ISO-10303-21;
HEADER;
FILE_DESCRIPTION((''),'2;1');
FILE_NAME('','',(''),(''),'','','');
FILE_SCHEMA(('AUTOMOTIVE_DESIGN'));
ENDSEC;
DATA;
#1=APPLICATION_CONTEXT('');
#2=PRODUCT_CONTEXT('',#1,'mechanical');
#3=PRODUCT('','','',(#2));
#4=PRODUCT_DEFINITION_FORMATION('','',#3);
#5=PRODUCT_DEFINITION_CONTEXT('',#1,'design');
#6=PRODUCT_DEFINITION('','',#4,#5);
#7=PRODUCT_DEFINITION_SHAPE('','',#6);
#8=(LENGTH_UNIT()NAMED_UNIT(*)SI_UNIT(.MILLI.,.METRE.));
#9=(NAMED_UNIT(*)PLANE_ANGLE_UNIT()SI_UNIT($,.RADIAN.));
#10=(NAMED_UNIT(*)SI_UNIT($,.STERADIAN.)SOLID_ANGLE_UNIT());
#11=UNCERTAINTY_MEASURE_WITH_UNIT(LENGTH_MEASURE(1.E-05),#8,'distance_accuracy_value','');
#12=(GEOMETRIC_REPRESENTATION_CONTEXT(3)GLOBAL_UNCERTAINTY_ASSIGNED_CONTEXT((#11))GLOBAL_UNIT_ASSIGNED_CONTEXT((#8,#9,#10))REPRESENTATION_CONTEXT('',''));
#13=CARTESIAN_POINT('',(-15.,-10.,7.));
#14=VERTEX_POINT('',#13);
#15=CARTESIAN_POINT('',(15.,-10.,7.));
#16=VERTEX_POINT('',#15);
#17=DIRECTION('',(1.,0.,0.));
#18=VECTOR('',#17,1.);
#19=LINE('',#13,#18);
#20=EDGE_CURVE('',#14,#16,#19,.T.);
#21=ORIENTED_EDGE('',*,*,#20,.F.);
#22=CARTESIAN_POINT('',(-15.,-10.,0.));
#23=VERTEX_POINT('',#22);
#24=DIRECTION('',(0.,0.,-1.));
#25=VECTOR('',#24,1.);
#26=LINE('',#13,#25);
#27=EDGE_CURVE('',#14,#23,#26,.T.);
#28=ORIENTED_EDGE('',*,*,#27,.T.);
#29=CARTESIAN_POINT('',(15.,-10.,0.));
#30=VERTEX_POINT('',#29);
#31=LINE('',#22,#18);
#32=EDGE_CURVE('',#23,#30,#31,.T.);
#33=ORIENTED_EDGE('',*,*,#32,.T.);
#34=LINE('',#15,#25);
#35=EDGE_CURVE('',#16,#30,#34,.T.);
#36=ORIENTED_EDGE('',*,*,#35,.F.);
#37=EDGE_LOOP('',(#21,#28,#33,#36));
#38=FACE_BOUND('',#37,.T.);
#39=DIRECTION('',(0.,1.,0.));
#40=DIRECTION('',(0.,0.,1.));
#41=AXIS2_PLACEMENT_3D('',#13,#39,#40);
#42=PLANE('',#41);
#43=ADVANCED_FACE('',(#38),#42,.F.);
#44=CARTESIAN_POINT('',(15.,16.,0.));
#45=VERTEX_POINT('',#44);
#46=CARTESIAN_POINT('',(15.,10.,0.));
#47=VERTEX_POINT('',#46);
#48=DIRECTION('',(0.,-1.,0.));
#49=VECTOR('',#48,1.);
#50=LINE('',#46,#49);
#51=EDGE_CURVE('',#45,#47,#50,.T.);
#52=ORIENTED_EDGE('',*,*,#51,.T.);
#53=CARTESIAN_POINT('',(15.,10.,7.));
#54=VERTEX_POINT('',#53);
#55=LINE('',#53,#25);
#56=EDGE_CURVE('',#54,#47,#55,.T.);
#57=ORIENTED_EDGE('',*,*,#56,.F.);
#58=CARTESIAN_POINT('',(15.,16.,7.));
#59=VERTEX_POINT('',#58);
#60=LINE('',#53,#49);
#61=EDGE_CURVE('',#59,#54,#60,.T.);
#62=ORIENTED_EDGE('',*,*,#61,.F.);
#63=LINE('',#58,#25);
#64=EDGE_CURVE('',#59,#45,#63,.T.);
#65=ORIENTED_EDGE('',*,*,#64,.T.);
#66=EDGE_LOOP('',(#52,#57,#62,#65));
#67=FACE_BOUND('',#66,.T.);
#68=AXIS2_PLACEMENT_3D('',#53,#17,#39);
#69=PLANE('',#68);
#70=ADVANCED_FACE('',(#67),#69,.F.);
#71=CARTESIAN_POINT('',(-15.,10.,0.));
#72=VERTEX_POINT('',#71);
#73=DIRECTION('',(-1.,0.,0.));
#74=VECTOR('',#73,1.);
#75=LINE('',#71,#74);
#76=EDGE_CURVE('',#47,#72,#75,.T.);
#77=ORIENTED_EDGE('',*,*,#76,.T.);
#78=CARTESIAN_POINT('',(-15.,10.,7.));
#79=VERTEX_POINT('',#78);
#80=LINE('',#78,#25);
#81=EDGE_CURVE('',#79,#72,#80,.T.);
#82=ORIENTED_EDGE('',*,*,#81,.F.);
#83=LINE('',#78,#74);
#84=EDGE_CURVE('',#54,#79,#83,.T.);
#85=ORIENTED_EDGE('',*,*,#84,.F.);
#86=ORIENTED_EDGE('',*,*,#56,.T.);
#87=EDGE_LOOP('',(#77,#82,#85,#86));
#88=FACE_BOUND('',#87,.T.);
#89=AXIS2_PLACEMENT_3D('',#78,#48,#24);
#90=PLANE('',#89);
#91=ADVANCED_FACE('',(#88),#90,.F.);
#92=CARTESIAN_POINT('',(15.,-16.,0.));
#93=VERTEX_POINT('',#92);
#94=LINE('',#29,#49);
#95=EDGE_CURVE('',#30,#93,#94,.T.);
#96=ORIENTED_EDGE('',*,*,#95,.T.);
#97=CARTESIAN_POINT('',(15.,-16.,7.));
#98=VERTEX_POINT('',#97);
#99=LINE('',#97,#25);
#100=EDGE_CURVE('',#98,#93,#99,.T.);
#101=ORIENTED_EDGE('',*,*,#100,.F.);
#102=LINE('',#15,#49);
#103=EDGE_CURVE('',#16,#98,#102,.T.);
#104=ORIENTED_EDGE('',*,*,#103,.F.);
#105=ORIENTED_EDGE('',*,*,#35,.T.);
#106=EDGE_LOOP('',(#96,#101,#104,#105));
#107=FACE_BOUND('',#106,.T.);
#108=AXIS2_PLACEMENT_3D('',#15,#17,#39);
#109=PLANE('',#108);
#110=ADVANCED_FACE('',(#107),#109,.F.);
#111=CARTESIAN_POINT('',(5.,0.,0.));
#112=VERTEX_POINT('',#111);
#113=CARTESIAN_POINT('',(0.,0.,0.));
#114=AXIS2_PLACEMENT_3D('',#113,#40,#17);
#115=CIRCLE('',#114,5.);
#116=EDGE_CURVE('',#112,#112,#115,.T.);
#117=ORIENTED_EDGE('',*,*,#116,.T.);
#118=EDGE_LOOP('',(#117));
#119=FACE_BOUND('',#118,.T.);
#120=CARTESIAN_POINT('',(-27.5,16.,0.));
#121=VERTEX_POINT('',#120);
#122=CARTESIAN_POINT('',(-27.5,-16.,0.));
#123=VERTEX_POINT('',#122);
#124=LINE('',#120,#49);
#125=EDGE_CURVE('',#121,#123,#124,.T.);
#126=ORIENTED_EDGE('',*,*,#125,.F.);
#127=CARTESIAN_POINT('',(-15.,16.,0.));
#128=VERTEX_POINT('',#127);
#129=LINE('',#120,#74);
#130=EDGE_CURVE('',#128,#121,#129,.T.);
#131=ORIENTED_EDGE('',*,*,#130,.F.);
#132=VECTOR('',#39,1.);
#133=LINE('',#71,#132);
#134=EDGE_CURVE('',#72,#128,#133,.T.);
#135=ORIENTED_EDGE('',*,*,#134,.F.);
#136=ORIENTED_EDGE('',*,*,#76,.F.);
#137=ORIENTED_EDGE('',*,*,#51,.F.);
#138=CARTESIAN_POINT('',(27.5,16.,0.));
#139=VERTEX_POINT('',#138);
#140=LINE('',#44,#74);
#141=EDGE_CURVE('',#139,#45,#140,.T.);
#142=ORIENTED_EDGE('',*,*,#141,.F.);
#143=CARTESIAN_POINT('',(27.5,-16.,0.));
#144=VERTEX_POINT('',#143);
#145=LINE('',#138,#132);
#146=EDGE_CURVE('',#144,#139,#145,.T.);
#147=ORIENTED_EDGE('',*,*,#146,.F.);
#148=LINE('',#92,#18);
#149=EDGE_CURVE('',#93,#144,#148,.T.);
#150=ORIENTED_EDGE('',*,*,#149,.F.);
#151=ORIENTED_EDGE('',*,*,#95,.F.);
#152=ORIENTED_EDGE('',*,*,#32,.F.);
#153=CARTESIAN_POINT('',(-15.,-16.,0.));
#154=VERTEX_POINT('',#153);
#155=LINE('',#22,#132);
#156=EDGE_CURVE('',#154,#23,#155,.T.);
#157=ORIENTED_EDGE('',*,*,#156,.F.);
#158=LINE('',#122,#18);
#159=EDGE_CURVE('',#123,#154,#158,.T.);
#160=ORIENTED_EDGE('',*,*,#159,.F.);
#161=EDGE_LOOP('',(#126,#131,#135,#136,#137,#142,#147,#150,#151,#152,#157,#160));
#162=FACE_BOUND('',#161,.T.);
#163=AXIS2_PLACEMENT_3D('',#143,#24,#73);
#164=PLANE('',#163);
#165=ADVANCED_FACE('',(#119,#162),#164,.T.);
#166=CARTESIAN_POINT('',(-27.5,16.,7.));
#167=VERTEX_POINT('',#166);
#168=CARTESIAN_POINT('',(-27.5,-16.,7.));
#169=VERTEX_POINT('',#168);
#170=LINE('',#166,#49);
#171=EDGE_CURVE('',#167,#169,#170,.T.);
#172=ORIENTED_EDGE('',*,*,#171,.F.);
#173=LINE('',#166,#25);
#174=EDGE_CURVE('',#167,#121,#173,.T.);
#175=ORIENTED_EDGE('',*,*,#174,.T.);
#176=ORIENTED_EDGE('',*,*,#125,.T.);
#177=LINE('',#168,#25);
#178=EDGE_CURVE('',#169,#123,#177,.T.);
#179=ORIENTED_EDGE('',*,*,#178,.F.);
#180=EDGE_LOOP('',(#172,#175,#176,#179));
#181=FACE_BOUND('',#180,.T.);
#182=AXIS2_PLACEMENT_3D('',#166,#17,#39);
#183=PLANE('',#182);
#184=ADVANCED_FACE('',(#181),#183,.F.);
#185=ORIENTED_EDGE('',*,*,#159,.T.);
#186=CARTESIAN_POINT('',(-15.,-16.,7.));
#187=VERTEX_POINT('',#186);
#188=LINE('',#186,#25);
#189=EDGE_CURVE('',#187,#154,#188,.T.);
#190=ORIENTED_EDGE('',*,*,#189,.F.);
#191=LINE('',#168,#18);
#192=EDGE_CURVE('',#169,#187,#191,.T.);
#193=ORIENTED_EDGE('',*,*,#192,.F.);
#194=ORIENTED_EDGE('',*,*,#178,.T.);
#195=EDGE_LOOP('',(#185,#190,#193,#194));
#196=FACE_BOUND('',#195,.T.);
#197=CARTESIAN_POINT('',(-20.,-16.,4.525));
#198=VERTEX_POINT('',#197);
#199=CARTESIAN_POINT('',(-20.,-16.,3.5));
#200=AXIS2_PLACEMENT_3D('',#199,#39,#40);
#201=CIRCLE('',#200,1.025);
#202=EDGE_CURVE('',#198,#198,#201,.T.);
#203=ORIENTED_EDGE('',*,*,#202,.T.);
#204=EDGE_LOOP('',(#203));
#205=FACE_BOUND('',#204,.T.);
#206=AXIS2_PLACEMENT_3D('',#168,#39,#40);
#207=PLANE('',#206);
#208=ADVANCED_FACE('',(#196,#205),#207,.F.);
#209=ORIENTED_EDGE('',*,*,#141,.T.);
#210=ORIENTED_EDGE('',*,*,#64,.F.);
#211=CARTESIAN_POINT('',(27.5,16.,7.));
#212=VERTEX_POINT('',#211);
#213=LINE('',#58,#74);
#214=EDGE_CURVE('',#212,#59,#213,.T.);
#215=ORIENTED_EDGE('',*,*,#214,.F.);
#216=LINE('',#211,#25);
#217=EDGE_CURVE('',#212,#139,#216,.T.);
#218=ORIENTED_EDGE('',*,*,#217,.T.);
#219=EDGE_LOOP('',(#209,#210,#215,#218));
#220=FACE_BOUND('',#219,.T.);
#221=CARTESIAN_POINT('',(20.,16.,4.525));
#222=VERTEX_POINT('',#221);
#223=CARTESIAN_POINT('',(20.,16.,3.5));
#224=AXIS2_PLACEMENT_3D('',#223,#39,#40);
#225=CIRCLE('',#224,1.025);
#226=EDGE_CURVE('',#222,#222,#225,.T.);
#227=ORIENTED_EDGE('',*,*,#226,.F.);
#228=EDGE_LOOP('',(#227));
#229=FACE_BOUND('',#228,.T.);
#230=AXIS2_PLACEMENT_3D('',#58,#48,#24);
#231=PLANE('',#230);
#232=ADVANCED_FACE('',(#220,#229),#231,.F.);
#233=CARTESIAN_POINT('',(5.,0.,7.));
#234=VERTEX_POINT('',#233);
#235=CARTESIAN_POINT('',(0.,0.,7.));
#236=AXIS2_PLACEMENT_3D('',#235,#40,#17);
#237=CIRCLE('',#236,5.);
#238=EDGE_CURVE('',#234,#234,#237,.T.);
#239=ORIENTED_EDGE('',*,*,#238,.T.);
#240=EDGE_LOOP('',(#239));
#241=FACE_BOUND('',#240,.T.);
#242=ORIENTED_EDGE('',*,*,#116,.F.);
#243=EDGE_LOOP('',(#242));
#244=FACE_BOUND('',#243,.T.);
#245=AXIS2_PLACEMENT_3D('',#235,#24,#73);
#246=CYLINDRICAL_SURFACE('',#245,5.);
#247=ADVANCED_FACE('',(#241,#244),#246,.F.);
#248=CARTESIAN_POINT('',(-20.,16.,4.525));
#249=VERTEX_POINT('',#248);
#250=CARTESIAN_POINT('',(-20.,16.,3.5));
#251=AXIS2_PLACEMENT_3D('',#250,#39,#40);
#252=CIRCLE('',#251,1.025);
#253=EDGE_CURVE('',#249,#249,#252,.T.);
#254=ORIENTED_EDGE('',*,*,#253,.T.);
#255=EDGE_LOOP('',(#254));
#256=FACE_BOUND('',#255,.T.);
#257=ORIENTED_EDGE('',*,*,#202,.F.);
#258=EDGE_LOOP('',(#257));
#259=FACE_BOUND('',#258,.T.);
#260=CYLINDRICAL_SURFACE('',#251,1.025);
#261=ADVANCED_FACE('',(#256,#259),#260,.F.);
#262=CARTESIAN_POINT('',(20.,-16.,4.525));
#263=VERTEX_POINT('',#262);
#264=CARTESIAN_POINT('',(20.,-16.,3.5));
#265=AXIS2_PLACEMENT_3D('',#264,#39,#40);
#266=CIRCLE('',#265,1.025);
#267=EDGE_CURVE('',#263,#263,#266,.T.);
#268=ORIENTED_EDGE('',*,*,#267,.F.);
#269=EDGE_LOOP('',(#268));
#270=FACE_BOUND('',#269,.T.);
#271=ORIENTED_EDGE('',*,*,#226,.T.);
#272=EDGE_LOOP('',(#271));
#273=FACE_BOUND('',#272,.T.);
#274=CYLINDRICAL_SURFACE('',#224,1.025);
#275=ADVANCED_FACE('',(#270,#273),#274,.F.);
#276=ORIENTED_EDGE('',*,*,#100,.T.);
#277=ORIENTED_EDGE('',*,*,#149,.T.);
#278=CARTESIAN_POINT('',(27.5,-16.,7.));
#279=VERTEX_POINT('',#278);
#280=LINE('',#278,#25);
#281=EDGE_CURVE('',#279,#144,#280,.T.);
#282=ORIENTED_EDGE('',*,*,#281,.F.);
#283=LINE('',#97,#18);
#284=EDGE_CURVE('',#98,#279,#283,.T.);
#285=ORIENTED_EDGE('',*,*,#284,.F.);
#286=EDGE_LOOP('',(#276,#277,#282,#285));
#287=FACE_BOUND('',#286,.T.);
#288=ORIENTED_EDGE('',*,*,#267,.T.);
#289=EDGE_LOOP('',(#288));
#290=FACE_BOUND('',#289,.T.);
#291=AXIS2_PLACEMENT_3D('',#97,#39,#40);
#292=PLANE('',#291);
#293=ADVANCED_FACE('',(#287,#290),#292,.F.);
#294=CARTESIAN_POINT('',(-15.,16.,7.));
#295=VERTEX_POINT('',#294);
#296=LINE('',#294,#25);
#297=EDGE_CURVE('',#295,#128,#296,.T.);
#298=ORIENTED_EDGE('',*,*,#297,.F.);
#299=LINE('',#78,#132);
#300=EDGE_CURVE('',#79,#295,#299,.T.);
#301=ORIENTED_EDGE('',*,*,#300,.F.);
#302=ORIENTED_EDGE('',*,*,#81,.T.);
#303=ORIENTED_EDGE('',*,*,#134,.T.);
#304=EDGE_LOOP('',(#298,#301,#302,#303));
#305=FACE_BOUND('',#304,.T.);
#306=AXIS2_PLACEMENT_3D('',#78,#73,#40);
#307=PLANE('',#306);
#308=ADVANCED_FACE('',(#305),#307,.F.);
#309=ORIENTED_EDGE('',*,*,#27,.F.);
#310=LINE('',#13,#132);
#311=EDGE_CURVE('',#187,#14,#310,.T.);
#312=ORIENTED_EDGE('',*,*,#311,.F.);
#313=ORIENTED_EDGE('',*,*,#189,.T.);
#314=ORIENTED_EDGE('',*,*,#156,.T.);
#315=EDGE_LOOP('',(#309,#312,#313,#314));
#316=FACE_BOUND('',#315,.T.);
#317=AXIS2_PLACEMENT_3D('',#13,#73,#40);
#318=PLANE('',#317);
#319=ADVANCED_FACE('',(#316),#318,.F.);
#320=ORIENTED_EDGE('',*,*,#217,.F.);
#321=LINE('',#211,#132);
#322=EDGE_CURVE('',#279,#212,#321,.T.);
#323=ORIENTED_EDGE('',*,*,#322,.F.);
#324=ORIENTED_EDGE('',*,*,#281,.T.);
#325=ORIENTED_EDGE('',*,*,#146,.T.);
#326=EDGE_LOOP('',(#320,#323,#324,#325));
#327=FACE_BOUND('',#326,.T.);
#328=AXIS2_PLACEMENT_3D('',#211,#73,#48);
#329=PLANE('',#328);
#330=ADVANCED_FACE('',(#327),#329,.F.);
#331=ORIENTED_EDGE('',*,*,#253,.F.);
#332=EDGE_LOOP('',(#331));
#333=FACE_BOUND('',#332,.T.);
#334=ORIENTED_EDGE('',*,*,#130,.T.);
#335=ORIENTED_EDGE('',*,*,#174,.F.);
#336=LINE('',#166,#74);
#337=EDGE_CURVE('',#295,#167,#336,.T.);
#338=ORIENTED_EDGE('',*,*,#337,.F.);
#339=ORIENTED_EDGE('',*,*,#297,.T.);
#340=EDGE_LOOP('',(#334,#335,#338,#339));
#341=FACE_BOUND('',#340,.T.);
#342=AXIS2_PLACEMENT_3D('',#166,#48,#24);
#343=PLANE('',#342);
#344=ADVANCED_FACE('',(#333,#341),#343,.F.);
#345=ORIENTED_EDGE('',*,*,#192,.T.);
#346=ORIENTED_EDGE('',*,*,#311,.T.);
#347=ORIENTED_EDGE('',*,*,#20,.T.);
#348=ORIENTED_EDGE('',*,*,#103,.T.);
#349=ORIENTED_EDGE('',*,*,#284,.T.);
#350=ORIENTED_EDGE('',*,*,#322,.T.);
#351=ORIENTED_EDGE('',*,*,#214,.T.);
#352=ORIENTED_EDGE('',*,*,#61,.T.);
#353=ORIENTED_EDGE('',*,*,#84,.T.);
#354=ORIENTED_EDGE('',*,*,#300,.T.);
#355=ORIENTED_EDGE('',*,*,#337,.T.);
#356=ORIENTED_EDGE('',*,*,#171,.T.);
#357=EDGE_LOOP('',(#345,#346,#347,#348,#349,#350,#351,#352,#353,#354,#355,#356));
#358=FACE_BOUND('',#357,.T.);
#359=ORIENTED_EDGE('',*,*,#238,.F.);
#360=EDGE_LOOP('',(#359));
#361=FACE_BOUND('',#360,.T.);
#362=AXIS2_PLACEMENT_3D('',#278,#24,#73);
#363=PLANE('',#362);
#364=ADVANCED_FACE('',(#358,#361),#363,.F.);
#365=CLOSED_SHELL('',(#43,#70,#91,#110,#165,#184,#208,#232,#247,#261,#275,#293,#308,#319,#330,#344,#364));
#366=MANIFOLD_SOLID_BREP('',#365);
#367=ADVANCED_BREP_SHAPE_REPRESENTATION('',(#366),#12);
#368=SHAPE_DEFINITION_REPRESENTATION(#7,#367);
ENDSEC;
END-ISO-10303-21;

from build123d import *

# Parameters (mm, degrees)
SKETCH1_R                = 5
BOSS_EXTRUDE1_DEPTH      = 7
M2_5X0_45_TAPPED_HOLE1_D = 2.05


with BuildPart() as part:
    # Sketch1 → Boss-Extrude1 (new body)
    with BuildSketch(Plane.XY):
        Polygon((-15, 10), (-15, 16), (-27.5, 16), (-27.5, -16), (-15, -16), (-15, -10), (15, -10), (15, -16), (27.5, -16), (27.5, 16), (15, 16), (15, 10), align=None)
        Circle(SKETCH1_R, mode=Mode.SUBTRACT)
    extrude(amount=BOSS_EXTRUDE1_DEPTH)

    # M2.5x0.45 Tapped Hole1 (through all)
    with Locations(Plane(origin=(0, 16, 0), x_dir=(-1, 0, 0), z_dir=(0, 1, 0))):
        with Locations((20, 3.5), (-20, 3.5)):
            Hole(M2_5X0_45_TAPPED_HOLE1_D / 2)


solid = part.part
